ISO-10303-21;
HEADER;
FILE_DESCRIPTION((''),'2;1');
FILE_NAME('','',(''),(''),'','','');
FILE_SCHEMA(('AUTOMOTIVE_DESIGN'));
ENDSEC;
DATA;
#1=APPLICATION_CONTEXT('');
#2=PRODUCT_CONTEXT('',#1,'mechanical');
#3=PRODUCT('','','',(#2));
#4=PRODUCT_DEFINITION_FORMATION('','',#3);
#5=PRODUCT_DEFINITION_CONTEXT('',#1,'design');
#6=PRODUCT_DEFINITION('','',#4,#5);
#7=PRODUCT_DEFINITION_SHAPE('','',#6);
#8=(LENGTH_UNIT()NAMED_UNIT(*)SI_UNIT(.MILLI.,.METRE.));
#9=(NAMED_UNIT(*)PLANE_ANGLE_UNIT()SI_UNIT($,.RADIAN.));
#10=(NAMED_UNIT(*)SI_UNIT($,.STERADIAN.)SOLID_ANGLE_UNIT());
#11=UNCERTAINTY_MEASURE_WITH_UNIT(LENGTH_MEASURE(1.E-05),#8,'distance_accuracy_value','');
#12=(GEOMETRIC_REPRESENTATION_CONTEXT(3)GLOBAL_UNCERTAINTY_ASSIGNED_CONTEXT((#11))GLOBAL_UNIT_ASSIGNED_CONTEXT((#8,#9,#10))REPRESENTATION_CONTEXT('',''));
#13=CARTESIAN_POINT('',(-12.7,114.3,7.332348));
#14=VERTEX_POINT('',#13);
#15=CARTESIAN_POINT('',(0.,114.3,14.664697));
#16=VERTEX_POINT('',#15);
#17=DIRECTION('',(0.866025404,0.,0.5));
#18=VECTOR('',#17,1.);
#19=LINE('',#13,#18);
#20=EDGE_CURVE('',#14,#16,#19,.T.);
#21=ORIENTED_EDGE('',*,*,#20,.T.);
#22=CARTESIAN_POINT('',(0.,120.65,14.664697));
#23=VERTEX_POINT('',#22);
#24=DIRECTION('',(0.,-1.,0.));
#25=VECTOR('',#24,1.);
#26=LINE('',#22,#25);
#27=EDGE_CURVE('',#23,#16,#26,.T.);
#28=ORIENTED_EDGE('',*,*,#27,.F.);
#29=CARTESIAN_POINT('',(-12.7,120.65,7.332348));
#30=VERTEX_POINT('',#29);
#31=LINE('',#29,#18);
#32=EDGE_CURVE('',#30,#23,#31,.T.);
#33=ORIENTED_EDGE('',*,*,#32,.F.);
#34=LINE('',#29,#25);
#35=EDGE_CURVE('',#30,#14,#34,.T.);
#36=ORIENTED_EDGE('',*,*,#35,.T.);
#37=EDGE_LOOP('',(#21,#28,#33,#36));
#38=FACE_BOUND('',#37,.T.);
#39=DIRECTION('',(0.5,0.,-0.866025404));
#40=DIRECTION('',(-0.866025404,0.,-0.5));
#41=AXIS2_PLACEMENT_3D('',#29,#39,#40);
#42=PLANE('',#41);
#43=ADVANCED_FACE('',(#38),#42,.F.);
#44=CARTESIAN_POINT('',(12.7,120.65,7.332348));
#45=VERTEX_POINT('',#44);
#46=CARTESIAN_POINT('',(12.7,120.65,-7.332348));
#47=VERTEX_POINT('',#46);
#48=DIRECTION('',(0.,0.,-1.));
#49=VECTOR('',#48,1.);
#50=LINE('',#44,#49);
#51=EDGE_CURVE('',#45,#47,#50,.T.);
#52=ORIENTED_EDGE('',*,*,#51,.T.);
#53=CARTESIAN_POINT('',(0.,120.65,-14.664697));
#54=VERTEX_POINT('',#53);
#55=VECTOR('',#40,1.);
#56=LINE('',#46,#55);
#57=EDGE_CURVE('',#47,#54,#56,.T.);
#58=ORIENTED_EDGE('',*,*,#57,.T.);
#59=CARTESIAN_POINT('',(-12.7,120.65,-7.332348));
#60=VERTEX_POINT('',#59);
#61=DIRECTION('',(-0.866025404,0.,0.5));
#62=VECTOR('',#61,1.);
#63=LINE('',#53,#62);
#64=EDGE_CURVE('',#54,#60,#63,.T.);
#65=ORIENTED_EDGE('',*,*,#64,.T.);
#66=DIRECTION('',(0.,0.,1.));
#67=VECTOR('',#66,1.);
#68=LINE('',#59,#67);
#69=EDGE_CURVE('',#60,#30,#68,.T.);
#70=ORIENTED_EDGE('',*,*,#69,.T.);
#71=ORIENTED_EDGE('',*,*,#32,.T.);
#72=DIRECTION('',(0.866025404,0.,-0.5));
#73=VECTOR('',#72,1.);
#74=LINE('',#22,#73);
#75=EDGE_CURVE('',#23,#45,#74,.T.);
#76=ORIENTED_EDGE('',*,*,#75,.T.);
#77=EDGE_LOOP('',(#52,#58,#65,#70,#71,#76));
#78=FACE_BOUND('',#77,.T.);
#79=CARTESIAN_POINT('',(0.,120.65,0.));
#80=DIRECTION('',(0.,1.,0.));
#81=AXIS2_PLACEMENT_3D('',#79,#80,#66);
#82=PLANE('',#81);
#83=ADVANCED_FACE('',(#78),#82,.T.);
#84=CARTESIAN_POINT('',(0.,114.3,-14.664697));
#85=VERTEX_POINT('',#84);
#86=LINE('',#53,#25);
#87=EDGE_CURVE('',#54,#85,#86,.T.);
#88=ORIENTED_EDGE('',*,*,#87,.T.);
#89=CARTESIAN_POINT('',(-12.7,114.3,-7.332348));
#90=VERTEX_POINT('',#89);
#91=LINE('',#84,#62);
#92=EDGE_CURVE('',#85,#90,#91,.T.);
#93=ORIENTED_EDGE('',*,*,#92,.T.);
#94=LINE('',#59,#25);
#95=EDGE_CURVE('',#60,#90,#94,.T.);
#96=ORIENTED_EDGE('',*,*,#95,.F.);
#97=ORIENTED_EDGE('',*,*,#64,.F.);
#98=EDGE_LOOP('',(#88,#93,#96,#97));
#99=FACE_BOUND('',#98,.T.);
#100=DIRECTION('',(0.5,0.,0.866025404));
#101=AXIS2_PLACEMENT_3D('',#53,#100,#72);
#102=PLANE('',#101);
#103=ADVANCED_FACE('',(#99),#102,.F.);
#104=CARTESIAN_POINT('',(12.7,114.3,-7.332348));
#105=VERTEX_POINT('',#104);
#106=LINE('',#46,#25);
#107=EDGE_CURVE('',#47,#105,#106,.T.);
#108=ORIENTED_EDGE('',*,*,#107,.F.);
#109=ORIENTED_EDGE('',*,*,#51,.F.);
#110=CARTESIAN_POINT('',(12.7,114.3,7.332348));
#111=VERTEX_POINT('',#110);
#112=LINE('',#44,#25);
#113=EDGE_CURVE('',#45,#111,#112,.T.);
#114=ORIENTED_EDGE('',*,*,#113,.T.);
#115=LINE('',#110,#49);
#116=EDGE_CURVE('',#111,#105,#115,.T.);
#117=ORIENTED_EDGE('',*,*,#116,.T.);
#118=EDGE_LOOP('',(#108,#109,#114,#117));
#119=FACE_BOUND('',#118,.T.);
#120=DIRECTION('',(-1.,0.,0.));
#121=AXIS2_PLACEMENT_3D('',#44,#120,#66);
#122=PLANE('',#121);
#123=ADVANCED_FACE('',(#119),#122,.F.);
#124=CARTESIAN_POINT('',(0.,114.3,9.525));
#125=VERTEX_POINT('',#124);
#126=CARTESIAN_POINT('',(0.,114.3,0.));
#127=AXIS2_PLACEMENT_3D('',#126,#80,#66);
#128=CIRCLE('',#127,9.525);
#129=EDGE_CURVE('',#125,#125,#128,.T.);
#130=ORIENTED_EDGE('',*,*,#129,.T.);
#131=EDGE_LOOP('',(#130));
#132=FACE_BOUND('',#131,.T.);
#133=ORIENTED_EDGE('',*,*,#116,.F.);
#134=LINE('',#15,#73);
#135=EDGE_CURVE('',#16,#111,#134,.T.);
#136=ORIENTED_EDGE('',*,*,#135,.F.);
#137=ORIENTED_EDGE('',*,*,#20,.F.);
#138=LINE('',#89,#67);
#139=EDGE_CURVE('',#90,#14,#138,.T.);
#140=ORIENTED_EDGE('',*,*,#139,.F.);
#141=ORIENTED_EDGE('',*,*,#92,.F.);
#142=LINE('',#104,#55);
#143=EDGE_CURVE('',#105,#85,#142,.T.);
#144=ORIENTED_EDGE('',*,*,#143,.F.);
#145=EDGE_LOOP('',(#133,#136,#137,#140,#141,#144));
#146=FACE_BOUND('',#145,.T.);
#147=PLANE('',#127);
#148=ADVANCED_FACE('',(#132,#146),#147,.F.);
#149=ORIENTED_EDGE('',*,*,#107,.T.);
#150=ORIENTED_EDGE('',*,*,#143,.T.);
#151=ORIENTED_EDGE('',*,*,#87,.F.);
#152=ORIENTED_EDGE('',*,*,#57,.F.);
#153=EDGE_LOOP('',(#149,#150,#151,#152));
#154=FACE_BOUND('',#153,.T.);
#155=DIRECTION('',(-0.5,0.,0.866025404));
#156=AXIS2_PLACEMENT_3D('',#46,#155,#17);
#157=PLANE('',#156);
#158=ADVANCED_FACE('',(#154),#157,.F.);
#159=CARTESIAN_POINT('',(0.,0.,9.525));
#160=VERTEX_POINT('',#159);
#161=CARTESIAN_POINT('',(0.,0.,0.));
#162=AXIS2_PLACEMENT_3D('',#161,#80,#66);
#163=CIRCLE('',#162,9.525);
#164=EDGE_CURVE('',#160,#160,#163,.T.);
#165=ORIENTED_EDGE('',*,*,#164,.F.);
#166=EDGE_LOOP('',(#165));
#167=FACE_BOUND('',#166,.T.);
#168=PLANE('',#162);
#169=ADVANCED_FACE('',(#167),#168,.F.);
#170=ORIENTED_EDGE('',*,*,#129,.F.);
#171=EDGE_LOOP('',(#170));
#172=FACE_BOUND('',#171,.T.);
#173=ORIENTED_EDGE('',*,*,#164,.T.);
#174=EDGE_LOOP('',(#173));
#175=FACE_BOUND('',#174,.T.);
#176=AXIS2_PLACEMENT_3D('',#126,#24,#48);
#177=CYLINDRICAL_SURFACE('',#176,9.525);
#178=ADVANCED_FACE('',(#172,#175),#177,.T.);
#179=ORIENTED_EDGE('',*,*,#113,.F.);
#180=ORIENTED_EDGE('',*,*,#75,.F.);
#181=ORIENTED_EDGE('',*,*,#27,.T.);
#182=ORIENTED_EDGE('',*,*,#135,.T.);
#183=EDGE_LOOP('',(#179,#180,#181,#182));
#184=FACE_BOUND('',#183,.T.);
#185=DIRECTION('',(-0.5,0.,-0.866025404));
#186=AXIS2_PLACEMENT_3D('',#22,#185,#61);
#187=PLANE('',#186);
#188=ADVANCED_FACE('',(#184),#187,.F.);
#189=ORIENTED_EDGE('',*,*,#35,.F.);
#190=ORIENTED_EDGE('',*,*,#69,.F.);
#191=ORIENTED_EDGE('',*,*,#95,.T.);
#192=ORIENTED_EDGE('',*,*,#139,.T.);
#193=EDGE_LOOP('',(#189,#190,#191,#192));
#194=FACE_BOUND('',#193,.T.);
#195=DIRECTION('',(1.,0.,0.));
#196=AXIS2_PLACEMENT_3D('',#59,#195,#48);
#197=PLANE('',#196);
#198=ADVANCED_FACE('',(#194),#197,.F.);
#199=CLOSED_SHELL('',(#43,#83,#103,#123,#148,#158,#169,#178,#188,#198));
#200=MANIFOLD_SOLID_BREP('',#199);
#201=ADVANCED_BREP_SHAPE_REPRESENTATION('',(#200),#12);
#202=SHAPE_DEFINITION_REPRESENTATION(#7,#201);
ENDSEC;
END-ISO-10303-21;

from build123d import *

# Parameters (mm, degrees)
SKETCH1_R           = 9.525
BOSS_EXTRUDE1_DEPTH = 114.3
BOSS_EXTRUDE2_DEPTH = 6.35


with BuildPart() as part:
    # Sketch1 → Boss-Extrude1 (new body)
    with BuildSketch(Plane(origin=(0, 0, 0), x_dir=(1, 0, 0), z_dir=(0, 1, 0))):
        with Locations(Location((0, 0, 0), (0, 0, 270))):
            Circle(SKETCH1_R)
    extrude(amount=BOSS_EXTRUDE1_DEPTH)

    # Sketch2 → Boss-Extrude2 (add)
    with BuildSketch(Plane(origin=(0, 114.3, 0), x_dir=(1, 0, 0), z_dir=(0, 1, 0))):
        Polygon((12.7, 7.332348419), (0, 14.664696837), (-12.7, 7.332348419), (-12.7, -7.332348419), (0, -14.664696837), (12.7, -7.332348419), align=None)
    extrude(amount=BOSS_EXTRUDE2_DEPTH)


solid = part.part
